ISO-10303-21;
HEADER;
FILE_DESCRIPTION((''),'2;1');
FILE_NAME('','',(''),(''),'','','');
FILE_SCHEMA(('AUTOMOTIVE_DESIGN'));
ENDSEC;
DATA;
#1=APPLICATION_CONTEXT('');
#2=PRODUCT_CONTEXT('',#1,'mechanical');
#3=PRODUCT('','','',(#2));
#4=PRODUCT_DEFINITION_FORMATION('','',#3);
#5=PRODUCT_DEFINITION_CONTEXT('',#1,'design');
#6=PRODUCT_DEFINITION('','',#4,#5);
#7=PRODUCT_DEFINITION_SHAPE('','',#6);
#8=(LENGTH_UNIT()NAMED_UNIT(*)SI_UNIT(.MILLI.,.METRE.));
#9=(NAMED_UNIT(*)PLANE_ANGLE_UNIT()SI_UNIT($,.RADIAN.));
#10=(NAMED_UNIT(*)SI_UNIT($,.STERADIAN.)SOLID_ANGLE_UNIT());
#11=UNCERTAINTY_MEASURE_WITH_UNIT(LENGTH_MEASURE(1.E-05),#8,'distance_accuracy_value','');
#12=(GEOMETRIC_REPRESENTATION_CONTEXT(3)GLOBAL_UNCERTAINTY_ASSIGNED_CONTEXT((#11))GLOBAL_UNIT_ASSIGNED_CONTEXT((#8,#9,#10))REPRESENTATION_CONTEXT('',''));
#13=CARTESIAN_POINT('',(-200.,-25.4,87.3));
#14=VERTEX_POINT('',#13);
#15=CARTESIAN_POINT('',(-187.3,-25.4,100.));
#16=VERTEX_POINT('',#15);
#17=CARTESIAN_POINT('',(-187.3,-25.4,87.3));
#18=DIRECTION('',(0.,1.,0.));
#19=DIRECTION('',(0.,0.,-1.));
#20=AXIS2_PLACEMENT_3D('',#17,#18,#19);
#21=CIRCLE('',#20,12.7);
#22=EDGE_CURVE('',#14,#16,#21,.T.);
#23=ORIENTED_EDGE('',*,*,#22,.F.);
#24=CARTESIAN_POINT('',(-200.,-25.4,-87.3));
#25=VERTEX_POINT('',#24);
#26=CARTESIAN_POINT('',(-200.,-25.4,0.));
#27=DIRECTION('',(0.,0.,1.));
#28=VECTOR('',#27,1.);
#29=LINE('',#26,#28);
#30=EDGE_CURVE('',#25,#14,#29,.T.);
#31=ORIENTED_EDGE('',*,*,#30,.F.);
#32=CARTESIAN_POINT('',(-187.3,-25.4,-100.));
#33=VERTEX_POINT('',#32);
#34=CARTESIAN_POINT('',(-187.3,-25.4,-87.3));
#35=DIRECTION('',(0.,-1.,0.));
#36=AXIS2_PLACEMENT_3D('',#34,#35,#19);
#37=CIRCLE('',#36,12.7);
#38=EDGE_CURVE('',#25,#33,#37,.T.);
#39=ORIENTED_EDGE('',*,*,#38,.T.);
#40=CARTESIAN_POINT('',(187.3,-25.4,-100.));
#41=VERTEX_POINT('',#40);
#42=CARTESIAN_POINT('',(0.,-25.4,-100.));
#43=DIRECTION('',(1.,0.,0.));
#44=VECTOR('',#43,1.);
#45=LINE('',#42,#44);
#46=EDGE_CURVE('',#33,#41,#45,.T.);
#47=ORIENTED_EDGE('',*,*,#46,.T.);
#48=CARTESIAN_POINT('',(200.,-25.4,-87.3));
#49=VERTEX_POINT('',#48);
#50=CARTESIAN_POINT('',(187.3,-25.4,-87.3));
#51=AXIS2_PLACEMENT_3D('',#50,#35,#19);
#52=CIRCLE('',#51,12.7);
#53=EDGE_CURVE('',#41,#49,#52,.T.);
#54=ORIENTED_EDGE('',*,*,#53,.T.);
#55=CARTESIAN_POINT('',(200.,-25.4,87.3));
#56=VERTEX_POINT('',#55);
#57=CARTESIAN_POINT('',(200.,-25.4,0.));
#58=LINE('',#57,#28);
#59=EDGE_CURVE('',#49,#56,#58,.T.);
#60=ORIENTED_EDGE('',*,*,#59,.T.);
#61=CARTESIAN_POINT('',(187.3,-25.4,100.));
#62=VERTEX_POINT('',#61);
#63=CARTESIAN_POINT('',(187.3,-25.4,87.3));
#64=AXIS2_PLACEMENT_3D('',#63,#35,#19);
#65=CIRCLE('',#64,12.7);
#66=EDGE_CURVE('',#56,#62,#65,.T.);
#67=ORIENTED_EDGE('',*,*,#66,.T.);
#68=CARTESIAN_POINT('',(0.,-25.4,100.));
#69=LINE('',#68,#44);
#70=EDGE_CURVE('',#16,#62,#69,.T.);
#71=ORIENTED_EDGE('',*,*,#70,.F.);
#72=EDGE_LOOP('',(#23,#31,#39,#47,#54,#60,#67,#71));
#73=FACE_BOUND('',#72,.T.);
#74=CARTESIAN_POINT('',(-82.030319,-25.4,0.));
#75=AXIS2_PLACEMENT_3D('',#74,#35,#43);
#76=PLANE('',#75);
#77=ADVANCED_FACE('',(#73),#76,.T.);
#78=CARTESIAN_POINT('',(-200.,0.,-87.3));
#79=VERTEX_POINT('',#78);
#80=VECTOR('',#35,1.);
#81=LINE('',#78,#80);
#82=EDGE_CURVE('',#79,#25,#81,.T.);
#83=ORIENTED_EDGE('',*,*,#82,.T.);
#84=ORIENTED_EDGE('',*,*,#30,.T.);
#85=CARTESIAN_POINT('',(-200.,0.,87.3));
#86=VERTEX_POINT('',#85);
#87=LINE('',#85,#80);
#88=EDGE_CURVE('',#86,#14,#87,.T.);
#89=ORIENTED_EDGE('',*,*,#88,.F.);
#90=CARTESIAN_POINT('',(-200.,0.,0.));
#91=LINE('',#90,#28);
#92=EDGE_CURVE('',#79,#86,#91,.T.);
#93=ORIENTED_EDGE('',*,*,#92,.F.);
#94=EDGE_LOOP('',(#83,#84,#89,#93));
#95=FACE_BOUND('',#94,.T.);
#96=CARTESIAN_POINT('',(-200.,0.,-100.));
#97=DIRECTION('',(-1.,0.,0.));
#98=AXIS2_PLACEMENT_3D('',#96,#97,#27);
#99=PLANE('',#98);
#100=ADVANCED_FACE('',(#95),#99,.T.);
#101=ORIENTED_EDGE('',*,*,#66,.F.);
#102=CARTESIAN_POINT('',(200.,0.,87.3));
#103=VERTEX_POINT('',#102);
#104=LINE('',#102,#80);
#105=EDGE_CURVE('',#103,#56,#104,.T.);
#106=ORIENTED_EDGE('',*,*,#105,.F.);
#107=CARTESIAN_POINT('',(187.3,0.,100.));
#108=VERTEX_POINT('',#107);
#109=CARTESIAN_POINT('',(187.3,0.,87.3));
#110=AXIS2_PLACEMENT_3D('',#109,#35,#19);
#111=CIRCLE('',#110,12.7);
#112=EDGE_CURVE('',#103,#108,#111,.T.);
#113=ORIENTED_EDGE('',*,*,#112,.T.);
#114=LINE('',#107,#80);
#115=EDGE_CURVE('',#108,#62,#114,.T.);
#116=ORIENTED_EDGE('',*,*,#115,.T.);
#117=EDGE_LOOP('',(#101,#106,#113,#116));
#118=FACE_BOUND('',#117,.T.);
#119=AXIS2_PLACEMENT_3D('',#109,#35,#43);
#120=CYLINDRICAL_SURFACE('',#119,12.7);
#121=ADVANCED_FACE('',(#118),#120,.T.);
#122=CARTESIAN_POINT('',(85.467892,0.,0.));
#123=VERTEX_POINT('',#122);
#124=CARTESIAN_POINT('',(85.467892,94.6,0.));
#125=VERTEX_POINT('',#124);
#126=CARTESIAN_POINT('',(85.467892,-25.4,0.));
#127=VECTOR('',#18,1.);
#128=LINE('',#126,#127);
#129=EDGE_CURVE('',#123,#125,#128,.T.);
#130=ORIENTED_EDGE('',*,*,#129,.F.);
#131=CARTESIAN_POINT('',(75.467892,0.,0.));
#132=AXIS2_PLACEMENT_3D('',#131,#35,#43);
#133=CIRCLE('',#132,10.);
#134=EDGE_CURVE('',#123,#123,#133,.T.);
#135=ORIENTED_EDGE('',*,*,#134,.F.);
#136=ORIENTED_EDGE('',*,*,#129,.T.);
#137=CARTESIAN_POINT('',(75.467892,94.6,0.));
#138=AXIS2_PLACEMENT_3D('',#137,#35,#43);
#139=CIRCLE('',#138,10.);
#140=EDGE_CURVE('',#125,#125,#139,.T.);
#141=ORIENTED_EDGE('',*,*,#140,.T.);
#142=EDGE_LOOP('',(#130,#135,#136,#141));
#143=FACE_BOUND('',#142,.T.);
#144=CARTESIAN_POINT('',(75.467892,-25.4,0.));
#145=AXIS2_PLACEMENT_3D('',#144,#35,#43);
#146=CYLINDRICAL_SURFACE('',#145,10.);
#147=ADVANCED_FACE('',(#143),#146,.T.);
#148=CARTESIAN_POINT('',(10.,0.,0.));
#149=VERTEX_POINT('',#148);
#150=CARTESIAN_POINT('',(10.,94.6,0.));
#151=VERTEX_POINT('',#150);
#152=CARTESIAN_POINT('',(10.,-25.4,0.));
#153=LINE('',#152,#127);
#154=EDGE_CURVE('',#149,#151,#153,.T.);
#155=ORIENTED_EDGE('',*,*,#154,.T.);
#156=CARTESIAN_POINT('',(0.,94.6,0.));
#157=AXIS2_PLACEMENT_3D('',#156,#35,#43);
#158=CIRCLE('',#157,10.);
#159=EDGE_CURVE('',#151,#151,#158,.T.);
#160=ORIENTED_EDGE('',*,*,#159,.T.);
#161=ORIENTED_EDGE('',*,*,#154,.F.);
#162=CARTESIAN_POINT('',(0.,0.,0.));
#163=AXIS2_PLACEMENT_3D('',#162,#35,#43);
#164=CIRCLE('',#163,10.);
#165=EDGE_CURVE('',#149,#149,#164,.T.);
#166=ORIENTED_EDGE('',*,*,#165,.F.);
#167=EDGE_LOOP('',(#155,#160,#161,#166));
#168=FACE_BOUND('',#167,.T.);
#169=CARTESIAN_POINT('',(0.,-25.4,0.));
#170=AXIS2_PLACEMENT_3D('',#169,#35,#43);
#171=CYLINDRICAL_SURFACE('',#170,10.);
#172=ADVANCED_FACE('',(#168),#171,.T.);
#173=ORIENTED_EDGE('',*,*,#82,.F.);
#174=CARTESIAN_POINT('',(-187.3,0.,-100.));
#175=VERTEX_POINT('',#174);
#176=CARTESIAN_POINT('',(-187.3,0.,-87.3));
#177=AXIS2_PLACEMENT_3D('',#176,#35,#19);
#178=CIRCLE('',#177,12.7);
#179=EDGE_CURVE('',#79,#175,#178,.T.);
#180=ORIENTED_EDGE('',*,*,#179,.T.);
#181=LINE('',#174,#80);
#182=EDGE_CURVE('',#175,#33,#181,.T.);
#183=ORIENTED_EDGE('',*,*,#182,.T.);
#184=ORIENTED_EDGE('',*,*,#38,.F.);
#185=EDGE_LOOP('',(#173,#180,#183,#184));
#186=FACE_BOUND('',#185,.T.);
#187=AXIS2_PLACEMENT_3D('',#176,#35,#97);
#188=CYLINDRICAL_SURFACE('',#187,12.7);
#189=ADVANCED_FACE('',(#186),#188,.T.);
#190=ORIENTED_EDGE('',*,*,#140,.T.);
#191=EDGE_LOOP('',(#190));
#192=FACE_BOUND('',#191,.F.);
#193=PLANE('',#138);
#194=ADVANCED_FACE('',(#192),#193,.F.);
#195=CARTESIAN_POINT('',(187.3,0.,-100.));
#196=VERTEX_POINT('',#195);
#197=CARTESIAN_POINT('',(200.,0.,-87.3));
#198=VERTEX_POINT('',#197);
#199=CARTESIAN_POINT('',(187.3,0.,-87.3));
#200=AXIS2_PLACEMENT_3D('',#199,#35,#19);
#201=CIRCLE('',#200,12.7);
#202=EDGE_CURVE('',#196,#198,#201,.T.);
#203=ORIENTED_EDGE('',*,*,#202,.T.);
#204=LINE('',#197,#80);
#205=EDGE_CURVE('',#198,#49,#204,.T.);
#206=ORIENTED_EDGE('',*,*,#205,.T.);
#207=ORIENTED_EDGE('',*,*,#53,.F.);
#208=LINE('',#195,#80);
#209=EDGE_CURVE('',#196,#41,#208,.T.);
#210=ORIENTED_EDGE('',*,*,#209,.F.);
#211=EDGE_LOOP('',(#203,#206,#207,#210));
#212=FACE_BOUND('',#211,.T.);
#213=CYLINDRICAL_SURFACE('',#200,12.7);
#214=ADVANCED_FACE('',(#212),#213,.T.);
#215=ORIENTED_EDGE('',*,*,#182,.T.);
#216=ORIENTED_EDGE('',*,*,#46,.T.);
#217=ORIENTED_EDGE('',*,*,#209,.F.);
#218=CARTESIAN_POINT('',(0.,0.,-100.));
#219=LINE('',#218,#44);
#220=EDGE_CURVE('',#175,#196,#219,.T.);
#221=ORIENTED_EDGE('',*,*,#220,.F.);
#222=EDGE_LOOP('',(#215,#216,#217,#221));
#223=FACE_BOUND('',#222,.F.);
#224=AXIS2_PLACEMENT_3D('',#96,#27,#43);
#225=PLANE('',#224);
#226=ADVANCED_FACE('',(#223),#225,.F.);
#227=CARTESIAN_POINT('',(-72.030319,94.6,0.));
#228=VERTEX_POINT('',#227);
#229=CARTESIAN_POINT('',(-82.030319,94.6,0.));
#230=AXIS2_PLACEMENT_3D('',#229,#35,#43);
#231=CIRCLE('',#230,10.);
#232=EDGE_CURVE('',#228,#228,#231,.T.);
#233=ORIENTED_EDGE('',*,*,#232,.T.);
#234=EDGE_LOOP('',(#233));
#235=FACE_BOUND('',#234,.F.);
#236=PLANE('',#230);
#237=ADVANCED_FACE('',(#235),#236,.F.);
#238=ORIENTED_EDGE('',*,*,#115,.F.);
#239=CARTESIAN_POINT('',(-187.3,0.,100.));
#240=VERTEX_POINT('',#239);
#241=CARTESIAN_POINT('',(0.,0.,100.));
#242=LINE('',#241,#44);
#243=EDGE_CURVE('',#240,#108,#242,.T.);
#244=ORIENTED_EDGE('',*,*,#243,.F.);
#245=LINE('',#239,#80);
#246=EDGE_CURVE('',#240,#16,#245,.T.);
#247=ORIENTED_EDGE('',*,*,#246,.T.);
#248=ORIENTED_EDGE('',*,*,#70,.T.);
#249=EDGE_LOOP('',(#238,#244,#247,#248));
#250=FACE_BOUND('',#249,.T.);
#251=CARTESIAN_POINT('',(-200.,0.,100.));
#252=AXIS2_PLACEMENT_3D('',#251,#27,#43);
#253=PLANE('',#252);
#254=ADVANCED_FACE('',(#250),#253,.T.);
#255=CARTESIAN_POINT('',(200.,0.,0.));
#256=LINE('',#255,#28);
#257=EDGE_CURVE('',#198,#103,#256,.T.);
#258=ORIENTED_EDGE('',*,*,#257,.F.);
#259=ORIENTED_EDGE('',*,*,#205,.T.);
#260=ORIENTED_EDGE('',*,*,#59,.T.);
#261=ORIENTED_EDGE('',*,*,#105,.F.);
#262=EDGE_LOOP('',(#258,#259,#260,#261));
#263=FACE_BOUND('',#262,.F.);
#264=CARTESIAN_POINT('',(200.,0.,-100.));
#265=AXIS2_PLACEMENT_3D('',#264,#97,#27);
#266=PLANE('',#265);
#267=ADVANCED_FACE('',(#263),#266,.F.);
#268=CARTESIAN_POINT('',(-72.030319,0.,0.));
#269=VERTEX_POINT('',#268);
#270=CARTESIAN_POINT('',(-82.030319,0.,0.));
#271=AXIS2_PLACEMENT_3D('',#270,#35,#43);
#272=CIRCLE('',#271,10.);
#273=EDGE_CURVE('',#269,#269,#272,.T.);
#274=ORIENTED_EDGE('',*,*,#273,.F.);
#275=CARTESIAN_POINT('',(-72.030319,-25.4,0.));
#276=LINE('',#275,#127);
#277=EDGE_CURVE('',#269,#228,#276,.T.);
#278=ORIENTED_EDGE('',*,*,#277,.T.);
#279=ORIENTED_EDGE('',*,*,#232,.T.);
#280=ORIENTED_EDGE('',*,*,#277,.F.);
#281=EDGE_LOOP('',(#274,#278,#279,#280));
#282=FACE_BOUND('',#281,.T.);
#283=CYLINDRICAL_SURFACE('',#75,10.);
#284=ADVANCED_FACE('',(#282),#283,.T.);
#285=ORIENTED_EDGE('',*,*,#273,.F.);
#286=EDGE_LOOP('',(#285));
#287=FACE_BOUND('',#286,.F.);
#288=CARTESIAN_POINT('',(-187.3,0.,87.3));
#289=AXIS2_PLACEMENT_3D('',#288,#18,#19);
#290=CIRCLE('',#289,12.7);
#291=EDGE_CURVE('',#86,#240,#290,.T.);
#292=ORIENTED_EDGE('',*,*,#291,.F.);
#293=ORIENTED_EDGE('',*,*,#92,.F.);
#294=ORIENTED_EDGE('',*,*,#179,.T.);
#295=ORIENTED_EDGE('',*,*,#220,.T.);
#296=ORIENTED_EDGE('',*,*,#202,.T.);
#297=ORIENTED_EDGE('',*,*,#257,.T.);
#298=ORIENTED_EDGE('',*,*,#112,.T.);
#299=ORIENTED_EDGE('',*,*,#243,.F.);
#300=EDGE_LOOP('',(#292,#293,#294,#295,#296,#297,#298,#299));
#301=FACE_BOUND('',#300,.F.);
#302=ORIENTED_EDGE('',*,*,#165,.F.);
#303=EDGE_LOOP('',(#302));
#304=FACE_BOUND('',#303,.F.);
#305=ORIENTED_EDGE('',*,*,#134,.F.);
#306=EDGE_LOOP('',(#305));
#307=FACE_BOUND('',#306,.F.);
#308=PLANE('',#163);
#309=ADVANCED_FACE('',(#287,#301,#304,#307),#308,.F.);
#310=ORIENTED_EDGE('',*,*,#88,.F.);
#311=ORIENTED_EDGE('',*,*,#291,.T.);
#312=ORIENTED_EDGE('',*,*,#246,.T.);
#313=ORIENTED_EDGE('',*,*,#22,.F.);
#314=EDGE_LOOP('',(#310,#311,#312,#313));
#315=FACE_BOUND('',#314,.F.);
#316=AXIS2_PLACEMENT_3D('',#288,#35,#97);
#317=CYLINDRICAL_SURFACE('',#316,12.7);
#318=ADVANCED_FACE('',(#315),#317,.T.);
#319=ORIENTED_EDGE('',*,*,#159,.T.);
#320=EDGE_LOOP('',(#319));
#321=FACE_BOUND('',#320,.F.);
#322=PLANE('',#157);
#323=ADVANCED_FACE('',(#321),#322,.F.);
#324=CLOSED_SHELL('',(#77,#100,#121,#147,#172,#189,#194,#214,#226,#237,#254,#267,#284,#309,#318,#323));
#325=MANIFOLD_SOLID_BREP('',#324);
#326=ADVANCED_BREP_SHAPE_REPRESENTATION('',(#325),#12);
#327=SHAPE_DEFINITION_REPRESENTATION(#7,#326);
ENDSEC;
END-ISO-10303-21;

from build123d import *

# Parameters (mm, degrees)
F0_W     = 400
F0_H     = 200
F1_DEPTH = 25.4
F3_R     = 12.7
F4_R     = 12.7
F2_R     = 10
F5_DEPTH = 120


with BuildPart() as f1:
    # F0 (on Front) → F1 (new body)
    with BuildSketch(Plane.XZ):
        Rectangle(F0_W, F0_H)
    extrude(amount=F1_DEPTH)

    # F3
    f3_edges = [f1.edges().sort_by_distance(p)[0] for p in [
        (-200, -12.7, -100),
        (200, -12.7, -100),
        (200, -12.7, 100),
    ]]
    fillet(f3_edges, radius=F3_R)

    # F4
    f4_edges = [f1.edges().sort_by_distance(p)[0] for p in [
        (-200, -12.7, 100),
    ]]
    fillet(f4_edges, radius=F4_R)

    # F2 (on face) → F5 (join)
    with BuildSketch(Plane.XZ.offset(25.4)):
        with Locations((-82.030319, 0)):
            Circle(F2_R)
        Circle(F2_R)
        with Locations((75.467892, 0)):
            Circle(F2_R)
    extrude(amount=-F5_DEPTH)


solid = f1.part
